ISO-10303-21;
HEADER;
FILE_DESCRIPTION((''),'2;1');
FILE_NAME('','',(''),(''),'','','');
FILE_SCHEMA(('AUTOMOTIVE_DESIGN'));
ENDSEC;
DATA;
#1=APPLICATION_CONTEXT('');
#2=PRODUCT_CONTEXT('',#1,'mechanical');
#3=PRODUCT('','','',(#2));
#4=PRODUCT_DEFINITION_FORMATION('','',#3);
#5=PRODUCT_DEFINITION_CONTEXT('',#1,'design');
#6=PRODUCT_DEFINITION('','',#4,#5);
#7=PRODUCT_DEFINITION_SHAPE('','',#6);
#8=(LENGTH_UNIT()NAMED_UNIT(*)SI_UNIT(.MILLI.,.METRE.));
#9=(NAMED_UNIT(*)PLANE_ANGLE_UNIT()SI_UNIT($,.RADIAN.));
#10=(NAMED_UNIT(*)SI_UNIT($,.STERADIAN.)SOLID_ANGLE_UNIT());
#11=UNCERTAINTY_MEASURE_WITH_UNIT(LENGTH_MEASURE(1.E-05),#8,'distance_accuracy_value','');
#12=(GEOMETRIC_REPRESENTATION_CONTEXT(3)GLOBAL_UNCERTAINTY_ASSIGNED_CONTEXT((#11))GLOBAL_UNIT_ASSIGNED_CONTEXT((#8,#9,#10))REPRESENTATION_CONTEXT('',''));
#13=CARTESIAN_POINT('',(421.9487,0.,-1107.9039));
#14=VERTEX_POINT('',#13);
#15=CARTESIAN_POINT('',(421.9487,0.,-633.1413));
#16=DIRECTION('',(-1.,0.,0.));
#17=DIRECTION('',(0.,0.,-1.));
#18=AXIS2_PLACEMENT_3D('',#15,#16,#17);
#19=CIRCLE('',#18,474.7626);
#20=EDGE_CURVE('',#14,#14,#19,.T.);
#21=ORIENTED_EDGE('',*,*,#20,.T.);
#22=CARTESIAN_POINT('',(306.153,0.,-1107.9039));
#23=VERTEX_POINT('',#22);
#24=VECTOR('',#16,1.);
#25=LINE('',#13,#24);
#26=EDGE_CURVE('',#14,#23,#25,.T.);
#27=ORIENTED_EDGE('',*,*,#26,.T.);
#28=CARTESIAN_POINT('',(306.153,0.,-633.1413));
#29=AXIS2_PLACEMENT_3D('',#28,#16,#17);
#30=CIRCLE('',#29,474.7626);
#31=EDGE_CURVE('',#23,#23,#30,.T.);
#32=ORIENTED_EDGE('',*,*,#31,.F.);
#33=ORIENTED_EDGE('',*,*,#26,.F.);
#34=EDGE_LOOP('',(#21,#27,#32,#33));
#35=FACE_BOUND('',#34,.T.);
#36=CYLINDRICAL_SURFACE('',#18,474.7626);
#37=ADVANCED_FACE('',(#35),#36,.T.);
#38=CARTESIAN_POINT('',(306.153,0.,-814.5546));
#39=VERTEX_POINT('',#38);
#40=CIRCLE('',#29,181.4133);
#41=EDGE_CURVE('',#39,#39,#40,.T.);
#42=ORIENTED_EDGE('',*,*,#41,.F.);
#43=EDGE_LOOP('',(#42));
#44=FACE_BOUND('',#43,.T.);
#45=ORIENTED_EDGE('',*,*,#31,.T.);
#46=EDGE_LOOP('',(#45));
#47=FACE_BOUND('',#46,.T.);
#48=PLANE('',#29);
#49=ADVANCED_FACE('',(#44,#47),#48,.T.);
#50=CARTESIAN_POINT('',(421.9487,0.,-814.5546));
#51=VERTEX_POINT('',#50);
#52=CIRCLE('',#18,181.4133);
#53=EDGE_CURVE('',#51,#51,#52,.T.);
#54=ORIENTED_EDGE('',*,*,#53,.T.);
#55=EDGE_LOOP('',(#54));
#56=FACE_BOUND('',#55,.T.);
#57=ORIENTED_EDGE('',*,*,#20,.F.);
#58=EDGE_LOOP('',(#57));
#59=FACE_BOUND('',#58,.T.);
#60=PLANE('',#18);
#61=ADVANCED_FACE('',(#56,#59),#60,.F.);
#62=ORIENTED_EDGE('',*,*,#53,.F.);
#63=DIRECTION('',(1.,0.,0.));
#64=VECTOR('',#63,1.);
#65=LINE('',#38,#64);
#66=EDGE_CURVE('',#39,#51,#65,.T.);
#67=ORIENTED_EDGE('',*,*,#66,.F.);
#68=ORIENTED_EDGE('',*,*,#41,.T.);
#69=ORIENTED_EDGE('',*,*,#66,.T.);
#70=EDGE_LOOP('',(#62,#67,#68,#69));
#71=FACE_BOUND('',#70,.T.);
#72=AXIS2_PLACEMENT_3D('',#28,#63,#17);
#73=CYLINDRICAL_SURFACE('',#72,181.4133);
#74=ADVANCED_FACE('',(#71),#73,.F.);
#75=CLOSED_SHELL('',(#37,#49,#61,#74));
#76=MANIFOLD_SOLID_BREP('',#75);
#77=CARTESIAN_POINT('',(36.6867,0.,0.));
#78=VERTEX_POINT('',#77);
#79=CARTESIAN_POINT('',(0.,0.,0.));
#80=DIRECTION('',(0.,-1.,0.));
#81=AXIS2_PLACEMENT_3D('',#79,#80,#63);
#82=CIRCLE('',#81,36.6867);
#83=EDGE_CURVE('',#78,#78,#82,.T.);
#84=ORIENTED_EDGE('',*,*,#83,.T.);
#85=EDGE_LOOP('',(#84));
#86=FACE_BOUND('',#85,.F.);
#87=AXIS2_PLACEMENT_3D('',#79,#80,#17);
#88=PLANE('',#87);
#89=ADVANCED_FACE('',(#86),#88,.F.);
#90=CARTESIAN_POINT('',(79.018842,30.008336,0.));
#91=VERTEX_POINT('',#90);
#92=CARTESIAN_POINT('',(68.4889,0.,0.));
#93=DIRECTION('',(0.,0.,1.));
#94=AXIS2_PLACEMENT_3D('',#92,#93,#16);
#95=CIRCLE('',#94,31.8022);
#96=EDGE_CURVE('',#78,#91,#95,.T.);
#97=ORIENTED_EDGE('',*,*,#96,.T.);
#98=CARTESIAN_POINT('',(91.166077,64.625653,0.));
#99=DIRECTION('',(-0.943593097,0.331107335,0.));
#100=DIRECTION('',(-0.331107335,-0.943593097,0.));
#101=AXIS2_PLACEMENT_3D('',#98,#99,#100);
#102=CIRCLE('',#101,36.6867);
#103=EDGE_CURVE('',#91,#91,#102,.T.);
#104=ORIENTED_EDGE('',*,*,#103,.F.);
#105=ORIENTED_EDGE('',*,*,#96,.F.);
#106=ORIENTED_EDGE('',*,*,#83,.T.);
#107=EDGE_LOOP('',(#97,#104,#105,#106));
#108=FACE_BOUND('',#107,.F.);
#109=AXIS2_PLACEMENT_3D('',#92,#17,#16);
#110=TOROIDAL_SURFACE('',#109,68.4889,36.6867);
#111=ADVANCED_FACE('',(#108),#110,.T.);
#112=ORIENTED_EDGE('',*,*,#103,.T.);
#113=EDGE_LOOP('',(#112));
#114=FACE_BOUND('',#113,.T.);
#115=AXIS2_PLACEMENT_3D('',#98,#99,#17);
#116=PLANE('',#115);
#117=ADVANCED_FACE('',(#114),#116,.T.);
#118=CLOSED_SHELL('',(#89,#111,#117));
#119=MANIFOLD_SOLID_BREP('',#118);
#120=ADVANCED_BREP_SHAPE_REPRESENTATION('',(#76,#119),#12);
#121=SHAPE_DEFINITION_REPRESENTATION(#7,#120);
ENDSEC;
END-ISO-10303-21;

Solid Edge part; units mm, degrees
sketch "Sketch1" plane through (0, 0, 0) normal (0, -1, 0) x (1, 0, 0)
  circle A0 centre (0, 0) radius 36.6867
revolve "RevolvedProtrusion1" add sketch "Sketch1" angle 250.664 about axis through (68.4889, 0, 54.3303) along (0, 0, 1)
sketch "Sketch2" plane through (0, 0, 0) normal (0, 1, 0) x (0, 0, 1)
  line L0 (-814.5546, 421.9487) -> (-1107.9039, 421.9487)
  line L1 (-1107.9039, 421.9487) -> (-1107.9039, 306.153)
  line L2 (-1107.9039, 306.153) -> (-814.5546, 306.153)
  line L3 (-814.5546, 306.153) -> (-814.5546, 421.9487)
revolve "RevolvedProtrusion2" add sketch "Sketch2" angle 360 about axis through (541.6043, 0, -633.1413) along (-1, 0, 0)
